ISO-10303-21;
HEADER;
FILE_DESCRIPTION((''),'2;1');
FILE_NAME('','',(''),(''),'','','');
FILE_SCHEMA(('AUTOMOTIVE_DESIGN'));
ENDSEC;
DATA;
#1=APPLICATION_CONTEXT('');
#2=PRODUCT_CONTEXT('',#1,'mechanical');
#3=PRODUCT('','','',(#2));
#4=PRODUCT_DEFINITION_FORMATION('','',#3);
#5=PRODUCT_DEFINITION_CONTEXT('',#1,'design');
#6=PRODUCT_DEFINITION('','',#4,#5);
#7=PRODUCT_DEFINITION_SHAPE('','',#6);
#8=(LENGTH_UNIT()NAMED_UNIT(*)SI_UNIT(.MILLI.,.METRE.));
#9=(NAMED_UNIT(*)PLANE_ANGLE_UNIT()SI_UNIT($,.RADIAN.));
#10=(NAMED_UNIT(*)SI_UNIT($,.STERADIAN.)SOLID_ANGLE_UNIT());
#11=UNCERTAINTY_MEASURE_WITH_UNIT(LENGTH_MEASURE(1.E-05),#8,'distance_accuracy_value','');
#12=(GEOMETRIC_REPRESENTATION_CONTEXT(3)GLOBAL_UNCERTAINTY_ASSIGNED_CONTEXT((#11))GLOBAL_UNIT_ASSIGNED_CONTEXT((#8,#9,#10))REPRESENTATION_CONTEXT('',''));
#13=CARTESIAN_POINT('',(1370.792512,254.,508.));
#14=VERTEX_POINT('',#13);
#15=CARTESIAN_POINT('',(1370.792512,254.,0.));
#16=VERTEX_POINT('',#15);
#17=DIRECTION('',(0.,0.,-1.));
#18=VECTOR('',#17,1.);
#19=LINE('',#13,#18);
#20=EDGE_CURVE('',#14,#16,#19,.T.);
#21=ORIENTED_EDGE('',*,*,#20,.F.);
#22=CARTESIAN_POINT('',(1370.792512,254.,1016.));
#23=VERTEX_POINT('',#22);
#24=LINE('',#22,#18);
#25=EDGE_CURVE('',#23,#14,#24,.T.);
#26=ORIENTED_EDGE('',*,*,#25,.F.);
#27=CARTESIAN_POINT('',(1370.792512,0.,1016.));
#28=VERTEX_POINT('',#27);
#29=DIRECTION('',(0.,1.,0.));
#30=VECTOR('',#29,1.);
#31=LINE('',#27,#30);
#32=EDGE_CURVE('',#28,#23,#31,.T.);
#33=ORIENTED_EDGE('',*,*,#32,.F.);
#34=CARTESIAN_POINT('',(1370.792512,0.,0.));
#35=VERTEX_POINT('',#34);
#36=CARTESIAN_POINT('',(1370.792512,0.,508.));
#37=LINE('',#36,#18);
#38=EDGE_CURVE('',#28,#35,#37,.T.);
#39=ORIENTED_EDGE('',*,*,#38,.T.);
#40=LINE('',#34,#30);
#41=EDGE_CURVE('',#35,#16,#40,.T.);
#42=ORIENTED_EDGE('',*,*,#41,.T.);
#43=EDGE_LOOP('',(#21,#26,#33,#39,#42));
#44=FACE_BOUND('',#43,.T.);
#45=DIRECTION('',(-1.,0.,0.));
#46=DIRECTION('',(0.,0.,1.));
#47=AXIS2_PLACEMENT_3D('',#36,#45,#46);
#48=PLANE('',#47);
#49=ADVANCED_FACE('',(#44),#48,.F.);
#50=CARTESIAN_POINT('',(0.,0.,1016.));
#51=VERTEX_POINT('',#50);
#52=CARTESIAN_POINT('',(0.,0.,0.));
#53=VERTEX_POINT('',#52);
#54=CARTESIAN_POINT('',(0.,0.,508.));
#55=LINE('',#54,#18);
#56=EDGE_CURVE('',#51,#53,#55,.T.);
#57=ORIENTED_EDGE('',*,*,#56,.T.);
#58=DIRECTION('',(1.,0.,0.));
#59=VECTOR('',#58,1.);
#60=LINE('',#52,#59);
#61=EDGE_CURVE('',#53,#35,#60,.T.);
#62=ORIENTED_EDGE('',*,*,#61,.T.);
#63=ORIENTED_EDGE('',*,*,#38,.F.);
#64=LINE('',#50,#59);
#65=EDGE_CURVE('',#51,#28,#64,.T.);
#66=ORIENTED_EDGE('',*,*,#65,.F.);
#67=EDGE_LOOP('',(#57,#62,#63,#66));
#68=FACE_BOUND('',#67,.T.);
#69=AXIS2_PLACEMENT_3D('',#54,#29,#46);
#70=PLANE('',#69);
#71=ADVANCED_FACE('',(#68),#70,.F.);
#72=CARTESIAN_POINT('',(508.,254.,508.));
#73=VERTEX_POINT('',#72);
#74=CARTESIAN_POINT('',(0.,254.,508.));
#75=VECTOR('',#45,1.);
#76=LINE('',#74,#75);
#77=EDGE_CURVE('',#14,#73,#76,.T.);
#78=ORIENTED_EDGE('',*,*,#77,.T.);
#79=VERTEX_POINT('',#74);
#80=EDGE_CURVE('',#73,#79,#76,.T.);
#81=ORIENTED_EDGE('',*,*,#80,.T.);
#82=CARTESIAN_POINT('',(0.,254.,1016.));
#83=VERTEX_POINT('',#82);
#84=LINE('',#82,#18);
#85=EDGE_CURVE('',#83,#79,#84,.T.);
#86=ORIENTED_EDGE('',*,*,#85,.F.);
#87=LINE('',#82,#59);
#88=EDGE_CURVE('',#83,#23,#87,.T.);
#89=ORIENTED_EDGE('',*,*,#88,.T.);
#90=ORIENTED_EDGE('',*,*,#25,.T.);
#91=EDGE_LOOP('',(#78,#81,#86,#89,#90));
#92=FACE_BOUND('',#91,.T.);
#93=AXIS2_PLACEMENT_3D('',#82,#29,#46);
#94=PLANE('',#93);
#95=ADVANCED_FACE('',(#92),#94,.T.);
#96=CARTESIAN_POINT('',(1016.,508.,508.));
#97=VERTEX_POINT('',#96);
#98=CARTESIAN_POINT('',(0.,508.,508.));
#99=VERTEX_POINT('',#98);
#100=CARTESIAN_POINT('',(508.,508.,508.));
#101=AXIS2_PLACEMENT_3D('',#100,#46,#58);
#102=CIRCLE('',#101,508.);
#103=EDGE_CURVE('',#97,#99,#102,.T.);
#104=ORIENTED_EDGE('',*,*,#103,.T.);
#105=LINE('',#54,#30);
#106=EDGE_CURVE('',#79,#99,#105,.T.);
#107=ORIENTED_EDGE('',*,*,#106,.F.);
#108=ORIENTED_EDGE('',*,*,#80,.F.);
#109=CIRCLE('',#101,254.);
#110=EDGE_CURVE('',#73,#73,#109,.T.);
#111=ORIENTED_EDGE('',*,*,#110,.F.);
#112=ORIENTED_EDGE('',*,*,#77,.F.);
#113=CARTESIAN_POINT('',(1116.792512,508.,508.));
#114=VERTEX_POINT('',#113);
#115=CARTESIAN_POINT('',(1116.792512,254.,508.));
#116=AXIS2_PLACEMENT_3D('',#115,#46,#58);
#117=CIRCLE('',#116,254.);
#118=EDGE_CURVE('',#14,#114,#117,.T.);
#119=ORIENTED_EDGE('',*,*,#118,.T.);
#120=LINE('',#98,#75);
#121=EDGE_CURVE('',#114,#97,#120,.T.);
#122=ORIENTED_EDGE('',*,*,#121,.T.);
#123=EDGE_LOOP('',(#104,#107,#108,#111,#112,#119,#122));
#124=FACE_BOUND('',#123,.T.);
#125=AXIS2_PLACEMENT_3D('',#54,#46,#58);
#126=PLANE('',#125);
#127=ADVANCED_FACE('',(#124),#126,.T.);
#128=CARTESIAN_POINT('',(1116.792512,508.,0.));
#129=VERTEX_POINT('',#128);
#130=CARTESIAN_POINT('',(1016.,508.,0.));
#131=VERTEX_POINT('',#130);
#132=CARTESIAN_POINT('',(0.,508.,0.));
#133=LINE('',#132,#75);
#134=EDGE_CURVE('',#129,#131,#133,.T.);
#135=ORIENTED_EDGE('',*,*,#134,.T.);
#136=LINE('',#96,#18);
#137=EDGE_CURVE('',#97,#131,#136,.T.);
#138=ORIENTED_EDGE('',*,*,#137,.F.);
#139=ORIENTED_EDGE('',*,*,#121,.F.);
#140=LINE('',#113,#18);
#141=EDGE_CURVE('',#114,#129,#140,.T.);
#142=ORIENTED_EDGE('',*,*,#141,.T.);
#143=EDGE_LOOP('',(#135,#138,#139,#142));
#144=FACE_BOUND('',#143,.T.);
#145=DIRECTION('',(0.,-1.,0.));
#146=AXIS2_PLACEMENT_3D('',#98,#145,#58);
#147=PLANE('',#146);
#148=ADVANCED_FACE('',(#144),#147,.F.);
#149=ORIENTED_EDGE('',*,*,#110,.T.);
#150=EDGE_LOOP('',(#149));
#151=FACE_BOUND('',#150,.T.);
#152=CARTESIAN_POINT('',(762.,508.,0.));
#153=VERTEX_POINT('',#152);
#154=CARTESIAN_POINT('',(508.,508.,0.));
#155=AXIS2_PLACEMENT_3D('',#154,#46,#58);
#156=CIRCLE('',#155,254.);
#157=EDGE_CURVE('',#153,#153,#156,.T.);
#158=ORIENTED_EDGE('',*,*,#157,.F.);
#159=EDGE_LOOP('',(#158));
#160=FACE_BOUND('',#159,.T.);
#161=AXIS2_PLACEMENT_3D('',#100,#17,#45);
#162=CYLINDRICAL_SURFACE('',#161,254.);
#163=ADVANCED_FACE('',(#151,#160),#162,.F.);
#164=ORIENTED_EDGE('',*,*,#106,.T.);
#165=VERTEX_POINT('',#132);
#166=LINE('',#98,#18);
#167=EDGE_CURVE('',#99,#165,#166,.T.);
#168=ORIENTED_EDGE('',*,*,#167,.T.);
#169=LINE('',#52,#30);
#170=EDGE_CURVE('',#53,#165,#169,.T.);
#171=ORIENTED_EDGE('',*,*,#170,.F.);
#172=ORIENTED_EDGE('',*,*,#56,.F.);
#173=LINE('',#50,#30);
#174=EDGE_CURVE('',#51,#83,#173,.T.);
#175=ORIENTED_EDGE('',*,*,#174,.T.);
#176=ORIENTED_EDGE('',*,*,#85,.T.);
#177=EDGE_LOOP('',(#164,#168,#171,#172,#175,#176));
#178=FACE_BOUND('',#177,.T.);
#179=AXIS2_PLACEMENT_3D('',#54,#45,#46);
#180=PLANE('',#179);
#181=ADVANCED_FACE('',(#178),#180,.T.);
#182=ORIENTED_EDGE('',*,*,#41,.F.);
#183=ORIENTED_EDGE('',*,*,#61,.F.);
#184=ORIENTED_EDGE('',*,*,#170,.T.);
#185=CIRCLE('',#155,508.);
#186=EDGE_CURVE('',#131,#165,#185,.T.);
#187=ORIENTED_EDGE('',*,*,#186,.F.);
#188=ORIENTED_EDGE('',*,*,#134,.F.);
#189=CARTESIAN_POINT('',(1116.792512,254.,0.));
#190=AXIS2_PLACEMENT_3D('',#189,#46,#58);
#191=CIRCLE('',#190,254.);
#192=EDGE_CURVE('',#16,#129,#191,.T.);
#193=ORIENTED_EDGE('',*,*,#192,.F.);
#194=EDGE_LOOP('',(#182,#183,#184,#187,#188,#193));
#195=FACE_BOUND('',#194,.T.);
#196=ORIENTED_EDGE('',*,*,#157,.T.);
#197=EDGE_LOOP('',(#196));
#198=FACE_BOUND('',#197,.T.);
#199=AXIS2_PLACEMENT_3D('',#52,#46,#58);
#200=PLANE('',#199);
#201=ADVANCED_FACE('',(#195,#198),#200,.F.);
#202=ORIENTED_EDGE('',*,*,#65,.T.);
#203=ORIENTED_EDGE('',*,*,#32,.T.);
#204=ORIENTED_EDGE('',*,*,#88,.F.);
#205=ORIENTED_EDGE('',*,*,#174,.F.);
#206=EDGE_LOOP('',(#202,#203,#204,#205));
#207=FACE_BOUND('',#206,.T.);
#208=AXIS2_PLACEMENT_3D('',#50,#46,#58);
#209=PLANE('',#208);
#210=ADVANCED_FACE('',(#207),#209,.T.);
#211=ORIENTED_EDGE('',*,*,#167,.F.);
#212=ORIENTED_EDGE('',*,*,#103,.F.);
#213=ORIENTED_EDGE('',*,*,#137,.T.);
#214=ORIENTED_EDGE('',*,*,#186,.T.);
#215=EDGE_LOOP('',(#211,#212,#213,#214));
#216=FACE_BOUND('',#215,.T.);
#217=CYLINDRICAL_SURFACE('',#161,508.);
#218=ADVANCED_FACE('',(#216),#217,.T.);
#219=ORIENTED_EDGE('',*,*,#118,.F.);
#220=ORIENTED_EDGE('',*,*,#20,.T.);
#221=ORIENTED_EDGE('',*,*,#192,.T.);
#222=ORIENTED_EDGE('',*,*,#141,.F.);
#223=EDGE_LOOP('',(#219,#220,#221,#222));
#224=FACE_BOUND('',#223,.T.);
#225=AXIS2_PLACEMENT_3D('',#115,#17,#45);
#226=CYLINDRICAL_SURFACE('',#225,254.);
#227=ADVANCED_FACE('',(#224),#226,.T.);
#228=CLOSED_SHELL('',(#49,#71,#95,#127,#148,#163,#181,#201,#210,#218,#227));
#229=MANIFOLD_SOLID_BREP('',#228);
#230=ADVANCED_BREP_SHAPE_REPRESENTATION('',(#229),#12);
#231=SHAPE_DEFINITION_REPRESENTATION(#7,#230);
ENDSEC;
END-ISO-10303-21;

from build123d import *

# Parameters (mm, degrees)
SKETCH1_R           = 254
BOSS_EXTRUDE1_DEPTH = 508
BOSS_EXTRUDE2_DEPTH = 1016


with BuildPart() as part:
    # Sketch1 → Boss-Extrude1 (new body)
    with BuildSketch(Plane.XY):
        with BuildLine():
            Line((0, 0), (1370.792512001, 0))
            Line((1370.792512001, 0), (1370.792512001, 254))
            ThreePointArc((1370.792512001, 254), (1296.397634423, 433.605122421), (1116.792512001, 508))
            Line((1116.792512001, 508), (1016, 508))
            ThreePointArc((1016, 508), (508, 1016), (0, 508))
            Line((0, 508), (0, 0))
        make_face()
        with Locations((508, 508)):
            Circle(SKETCH1_R, mode=Mode.SUBTRACT)
    extrude(amount=BOSS_EXTRUDE1_DEPTH)

    # Sketch1<4> → Boss-Extrude2 (add)
    with BuildSketch(Plane.XY):
        Polygon((0, 254), (0, 0), (1370.792512001, 0), (1370.792512001, 254), (508, 254), align=None)
    extrude(amount=BOSS_EXTRUDE2_DEPTH)


solid = part.part
